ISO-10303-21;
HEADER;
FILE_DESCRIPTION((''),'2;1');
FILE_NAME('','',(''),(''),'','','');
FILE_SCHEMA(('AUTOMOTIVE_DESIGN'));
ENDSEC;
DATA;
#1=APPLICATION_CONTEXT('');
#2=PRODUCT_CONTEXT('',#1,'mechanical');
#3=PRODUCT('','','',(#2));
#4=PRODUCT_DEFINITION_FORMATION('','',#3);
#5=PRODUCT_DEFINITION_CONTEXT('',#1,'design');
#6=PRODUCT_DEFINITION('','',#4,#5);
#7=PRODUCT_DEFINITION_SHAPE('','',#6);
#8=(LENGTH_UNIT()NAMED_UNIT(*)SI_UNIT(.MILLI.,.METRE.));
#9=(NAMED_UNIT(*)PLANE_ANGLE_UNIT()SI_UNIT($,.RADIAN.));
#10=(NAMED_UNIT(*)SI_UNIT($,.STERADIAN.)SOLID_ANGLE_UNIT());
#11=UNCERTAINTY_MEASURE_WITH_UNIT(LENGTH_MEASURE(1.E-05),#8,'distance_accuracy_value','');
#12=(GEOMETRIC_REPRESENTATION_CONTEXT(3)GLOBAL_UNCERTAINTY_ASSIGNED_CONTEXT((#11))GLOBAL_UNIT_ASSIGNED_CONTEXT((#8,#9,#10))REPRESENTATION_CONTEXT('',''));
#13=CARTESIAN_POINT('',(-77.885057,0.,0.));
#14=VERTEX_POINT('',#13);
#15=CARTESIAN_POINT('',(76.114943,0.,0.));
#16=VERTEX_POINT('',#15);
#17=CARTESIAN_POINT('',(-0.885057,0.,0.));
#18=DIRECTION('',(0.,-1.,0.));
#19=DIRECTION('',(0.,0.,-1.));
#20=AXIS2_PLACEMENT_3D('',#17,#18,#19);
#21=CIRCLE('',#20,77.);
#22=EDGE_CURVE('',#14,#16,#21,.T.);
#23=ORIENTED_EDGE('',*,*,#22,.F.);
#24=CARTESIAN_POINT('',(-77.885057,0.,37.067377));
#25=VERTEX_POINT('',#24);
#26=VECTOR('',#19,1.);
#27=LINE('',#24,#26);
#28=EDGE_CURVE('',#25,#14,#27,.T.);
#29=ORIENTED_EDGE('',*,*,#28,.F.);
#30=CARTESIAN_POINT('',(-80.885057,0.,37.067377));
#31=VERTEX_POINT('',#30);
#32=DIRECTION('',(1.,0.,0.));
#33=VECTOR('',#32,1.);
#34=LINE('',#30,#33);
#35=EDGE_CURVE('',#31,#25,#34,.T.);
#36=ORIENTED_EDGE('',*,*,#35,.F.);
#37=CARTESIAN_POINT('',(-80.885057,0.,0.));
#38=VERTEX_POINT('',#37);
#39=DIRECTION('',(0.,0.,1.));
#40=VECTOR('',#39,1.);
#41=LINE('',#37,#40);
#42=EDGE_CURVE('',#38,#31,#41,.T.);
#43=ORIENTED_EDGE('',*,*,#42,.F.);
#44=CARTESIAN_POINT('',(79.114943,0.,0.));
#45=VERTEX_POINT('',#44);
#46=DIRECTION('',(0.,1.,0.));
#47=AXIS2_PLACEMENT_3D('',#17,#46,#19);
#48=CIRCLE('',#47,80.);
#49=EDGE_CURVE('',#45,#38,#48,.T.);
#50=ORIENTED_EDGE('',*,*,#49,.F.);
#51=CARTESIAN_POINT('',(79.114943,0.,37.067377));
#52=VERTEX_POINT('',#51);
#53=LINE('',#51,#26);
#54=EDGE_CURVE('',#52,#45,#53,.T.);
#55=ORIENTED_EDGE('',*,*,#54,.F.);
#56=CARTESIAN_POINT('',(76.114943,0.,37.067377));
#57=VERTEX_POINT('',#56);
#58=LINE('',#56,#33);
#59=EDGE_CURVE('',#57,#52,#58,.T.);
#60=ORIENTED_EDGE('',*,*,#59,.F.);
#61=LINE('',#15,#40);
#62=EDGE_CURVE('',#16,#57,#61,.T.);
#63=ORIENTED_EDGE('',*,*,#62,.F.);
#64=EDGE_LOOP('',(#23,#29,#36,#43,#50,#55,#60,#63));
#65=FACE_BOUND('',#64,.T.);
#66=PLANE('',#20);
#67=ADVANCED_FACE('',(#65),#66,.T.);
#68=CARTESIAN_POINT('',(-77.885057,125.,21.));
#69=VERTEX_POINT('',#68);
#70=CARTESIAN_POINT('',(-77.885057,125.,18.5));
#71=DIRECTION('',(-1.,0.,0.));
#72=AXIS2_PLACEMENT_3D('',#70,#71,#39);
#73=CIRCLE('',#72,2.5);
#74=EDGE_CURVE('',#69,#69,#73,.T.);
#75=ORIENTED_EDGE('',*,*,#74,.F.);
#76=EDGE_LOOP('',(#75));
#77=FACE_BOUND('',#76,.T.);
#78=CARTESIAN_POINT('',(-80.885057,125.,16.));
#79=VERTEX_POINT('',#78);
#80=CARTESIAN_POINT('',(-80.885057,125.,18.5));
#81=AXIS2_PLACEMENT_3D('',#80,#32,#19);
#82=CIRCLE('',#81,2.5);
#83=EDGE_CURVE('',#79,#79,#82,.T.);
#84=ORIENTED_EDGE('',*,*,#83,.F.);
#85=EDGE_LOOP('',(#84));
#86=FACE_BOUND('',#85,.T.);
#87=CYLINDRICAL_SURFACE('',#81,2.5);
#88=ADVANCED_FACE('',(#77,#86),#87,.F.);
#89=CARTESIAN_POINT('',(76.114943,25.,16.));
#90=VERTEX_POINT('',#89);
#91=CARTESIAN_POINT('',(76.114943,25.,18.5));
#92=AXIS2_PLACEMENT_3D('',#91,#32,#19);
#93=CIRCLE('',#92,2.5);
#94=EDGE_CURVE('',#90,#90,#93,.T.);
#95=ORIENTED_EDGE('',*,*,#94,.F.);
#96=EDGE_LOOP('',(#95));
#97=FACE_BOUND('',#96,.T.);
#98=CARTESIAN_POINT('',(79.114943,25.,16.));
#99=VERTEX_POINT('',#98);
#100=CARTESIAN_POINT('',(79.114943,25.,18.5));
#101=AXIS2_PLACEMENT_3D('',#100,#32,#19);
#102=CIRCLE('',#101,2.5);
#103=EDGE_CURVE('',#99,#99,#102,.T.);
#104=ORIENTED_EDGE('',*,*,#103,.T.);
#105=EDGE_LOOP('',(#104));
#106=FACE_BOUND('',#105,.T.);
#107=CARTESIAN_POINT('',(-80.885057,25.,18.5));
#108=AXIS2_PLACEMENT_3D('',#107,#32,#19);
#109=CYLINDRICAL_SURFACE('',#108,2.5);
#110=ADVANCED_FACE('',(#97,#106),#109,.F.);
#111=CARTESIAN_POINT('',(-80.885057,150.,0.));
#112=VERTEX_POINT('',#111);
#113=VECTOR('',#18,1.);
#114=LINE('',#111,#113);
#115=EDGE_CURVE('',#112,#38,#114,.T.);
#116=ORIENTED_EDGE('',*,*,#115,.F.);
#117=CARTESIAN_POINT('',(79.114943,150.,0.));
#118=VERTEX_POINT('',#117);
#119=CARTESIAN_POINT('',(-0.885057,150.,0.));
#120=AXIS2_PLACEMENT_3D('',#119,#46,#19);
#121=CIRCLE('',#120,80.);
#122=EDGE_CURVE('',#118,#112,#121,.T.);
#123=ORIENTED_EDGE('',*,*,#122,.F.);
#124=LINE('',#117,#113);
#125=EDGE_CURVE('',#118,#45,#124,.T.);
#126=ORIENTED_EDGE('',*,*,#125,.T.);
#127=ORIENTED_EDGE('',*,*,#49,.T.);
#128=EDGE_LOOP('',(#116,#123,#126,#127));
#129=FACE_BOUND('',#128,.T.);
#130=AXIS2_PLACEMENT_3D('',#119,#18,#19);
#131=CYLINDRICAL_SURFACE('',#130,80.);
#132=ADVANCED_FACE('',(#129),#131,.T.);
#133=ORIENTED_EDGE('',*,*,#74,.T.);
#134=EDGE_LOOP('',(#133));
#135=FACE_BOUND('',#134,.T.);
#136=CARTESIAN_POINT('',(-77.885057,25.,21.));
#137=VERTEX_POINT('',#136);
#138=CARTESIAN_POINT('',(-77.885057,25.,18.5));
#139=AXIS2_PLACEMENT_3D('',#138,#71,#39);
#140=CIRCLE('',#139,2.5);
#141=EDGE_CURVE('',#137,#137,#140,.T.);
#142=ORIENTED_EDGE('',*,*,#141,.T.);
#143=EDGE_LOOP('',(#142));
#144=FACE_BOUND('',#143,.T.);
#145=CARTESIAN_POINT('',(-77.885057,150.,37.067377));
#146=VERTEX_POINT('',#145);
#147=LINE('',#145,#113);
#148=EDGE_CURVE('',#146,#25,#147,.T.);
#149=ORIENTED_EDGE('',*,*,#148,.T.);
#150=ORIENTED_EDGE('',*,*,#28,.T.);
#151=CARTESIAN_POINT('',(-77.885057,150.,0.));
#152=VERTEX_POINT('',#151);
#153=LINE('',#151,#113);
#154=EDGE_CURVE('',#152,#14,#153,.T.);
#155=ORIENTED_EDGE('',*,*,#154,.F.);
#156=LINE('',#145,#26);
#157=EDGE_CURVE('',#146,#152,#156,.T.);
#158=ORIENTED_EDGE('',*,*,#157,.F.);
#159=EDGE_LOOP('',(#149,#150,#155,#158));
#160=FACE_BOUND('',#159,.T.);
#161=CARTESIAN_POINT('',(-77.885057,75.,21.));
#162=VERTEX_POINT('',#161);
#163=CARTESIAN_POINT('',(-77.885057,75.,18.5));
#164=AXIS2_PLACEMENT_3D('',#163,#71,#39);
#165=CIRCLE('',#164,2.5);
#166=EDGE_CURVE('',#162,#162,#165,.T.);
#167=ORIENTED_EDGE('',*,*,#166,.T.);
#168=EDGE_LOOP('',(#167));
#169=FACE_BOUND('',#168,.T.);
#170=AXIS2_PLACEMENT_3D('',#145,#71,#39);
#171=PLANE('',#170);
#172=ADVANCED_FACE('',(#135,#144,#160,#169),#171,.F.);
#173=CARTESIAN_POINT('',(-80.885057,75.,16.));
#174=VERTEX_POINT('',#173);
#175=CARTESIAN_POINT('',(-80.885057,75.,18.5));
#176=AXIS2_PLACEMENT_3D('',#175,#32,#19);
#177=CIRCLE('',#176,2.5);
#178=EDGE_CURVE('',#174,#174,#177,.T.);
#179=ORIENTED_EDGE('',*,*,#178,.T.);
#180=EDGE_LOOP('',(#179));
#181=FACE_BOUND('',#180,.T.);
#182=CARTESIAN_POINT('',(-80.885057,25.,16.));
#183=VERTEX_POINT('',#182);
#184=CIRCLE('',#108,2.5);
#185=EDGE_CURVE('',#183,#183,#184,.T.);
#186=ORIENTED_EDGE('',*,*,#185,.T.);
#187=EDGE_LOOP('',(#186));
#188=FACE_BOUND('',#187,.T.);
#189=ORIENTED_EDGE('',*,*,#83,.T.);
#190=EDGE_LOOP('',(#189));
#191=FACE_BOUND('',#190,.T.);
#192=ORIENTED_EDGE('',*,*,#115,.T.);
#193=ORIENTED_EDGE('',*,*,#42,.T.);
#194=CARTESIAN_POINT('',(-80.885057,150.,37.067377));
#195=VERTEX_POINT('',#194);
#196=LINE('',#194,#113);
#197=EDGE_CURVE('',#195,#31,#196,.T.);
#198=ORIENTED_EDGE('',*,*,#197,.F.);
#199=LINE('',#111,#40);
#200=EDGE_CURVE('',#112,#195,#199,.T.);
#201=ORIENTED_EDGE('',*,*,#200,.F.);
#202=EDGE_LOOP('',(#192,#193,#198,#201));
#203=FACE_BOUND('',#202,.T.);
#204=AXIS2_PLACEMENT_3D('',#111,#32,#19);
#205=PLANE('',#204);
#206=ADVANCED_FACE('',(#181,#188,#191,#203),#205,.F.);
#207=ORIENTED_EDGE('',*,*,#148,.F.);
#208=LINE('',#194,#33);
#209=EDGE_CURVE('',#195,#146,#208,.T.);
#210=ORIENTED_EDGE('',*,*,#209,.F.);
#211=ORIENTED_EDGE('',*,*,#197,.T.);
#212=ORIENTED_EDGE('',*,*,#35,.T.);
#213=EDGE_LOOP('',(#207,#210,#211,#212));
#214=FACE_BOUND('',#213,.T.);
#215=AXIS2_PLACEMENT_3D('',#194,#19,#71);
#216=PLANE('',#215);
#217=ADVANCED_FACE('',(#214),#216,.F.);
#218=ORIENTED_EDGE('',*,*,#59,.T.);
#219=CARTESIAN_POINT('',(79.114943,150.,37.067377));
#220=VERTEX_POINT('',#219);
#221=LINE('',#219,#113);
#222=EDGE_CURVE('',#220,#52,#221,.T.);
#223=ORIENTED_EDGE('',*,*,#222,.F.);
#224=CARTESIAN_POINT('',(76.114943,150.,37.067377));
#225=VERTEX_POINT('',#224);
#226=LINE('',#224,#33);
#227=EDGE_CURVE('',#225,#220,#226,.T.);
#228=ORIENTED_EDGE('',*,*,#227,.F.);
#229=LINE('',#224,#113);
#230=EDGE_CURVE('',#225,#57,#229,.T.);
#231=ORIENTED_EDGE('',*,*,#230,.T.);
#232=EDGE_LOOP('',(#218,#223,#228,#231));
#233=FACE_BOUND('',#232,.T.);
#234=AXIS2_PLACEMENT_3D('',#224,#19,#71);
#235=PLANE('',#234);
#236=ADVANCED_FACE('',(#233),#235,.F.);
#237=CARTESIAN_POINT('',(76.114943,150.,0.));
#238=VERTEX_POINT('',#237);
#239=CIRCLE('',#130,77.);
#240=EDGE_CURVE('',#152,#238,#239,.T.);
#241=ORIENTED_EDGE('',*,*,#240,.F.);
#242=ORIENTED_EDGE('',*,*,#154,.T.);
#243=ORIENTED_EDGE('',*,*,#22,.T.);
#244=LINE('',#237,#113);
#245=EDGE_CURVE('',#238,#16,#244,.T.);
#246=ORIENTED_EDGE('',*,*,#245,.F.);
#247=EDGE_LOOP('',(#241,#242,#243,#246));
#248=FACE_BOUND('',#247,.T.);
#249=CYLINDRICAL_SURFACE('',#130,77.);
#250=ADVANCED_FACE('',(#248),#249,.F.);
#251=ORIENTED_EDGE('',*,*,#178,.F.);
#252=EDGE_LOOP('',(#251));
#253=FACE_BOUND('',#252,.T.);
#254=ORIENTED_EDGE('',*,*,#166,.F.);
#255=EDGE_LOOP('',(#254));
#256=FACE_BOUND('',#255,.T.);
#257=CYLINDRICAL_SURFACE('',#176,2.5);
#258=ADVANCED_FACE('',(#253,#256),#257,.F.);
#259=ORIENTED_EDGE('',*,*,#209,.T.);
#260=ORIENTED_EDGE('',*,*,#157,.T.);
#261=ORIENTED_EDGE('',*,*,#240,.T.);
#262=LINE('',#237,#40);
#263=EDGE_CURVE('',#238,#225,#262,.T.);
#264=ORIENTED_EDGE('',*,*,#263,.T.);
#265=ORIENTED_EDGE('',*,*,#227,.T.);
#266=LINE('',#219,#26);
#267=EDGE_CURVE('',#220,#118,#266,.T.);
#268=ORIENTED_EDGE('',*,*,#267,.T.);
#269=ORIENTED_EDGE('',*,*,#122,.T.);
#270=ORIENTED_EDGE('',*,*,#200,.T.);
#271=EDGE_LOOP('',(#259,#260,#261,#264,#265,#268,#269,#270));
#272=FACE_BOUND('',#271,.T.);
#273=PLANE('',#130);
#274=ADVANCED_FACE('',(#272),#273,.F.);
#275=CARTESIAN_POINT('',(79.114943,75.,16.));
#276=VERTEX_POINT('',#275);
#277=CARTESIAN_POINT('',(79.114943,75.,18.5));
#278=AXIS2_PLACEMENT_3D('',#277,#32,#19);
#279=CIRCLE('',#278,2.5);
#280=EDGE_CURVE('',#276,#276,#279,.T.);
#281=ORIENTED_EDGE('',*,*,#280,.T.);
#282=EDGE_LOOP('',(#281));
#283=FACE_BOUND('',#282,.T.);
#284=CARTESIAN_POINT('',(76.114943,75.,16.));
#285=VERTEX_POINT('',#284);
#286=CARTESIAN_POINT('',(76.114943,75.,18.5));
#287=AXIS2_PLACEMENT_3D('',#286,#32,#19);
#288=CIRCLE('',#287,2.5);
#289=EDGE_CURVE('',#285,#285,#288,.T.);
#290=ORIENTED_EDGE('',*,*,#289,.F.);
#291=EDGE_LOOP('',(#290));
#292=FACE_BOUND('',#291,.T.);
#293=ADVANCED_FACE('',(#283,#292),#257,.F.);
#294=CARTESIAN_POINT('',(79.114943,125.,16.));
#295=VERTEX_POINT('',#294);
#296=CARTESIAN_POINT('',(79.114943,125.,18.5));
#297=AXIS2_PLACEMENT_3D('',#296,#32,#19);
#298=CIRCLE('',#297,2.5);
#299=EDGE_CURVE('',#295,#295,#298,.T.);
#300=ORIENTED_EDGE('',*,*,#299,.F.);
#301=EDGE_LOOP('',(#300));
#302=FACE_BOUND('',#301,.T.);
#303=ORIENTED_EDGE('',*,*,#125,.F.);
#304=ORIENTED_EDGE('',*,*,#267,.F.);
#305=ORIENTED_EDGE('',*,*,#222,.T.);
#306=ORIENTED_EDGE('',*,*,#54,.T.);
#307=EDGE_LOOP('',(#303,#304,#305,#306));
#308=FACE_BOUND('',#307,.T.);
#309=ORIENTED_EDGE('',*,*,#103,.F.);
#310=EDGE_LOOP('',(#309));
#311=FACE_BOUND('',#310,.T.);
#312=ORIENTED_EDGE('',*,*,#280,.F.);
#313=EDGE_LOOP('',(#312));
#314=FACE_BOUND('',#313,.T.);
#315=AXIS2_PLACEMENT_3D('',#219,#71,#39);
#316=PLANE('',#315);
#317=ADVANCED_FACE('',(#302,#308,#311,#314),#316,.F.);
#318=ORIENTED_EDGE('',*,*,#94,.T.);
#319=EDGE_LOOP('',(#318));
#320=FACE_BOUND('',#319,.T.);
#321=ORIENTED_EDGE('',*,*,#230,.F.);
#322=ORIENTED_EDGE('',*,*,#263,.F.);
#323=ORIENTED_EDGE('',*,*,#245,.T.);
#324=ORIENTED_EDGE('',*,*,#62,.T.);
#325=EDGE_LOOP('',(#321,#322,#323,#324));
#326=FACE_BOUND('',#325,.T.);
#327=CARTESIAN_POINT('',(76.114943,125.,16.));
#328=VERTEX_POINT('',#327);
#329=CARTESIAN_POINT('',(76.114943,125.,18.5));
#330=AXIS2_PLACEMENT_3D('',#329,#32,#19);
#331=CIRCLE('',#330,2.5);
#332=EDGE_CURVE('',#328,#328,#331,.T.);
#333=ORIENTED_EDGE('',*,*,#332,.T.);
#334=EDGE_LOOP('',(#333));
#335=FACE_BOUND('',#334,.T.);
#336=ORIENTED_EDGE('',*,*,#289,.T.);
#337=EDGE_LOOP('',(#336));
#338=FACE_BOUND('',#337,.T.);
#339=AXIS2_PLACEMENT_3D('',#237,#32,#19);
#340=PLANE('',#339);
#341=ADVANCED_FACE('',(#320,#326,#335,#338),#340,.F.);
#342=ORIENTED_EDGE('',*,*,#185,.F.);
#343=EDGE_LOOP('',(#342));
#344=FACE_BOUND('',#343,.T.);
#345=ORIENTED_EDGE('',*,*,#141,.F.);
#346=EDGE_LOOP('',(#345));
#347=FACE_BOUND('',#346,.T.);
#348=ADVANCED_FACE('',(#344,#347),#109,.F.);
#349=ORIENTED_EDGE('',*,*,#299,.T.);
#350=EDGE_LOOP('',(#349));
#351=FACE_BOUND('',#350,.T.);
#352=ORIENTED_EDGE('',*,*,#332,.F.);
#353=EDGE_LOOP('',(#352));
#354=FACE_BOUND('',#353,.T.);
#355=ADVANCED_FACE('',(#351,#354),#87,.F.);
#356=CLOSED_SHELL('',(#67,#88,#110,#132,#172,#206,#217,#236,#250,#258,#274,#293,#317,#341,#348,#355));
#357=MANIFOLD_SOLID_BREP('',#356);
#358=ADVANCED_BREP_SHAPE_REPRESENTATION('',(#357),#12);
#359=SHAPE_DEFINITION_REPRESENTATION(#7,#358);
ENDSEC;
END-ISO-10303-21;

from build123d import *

# Parameters (mm, degrees)
BOSS_EXTRUDE1_DEPTH = 150
SKETCH2_R           = 2.5
CUT_EXTRUDE1_DEPTH  = 161


with BuildPart() as part:
    # Sketch1 → Boss-Extrude1 (new body)
    with BuildSketch(Plane(origin=(0, 0, 0), x_dir=(1, 0, 0), z_dir=(0, 1, 0))):
        with BuildLine():
            Line((-80.885057471, 0), (-80.885057471, -37.067376772))
            Line((-80.885057471, -37.067376772), (-77.885057471, -37.067376772))
            Line((-77.885057471, -37.067376772), (-77.885057471, 0))
            ThreePointArc((-77.885057471, 0), (-0.885057471, 77), (76.114942529, 0))
            Line((76.114942529, 0), (76.114942529, -37.067376772))
            Line((76.114942529, -37.067376772), (79.114942529, -37.067376772))
            Line((79.114942529, -37.067376772), (79.114942529, 0))
            ThreePointArc((79.114942529, 0), (-0.885057471, 80), (-80.885057471, 0))
        make_face()
    extrude(amount=BOSS_EXTRUDE1_DEPTH)

    # Sketch2 → Cut-Extrude1 (cut, through all)
    with BuildSketch(Plane(origin=(79.114942529, 0, 0), x_dir=(0, 0, -1), z_dir=(1, 0, 0))):
        with Locations((-18.5, 125)):
            Circle(SKETCH2_R)
        with Locations((-18.5, 75)):
            Circle(SKETCH2_R)
        with Locations((-18.5, 25)):
            Circle(SKETCH2_R)
    extrude(amount=-CUT_EXTRUDE1_DEPTH, mode=Mode.SUBTRACT)


solid = part.part
